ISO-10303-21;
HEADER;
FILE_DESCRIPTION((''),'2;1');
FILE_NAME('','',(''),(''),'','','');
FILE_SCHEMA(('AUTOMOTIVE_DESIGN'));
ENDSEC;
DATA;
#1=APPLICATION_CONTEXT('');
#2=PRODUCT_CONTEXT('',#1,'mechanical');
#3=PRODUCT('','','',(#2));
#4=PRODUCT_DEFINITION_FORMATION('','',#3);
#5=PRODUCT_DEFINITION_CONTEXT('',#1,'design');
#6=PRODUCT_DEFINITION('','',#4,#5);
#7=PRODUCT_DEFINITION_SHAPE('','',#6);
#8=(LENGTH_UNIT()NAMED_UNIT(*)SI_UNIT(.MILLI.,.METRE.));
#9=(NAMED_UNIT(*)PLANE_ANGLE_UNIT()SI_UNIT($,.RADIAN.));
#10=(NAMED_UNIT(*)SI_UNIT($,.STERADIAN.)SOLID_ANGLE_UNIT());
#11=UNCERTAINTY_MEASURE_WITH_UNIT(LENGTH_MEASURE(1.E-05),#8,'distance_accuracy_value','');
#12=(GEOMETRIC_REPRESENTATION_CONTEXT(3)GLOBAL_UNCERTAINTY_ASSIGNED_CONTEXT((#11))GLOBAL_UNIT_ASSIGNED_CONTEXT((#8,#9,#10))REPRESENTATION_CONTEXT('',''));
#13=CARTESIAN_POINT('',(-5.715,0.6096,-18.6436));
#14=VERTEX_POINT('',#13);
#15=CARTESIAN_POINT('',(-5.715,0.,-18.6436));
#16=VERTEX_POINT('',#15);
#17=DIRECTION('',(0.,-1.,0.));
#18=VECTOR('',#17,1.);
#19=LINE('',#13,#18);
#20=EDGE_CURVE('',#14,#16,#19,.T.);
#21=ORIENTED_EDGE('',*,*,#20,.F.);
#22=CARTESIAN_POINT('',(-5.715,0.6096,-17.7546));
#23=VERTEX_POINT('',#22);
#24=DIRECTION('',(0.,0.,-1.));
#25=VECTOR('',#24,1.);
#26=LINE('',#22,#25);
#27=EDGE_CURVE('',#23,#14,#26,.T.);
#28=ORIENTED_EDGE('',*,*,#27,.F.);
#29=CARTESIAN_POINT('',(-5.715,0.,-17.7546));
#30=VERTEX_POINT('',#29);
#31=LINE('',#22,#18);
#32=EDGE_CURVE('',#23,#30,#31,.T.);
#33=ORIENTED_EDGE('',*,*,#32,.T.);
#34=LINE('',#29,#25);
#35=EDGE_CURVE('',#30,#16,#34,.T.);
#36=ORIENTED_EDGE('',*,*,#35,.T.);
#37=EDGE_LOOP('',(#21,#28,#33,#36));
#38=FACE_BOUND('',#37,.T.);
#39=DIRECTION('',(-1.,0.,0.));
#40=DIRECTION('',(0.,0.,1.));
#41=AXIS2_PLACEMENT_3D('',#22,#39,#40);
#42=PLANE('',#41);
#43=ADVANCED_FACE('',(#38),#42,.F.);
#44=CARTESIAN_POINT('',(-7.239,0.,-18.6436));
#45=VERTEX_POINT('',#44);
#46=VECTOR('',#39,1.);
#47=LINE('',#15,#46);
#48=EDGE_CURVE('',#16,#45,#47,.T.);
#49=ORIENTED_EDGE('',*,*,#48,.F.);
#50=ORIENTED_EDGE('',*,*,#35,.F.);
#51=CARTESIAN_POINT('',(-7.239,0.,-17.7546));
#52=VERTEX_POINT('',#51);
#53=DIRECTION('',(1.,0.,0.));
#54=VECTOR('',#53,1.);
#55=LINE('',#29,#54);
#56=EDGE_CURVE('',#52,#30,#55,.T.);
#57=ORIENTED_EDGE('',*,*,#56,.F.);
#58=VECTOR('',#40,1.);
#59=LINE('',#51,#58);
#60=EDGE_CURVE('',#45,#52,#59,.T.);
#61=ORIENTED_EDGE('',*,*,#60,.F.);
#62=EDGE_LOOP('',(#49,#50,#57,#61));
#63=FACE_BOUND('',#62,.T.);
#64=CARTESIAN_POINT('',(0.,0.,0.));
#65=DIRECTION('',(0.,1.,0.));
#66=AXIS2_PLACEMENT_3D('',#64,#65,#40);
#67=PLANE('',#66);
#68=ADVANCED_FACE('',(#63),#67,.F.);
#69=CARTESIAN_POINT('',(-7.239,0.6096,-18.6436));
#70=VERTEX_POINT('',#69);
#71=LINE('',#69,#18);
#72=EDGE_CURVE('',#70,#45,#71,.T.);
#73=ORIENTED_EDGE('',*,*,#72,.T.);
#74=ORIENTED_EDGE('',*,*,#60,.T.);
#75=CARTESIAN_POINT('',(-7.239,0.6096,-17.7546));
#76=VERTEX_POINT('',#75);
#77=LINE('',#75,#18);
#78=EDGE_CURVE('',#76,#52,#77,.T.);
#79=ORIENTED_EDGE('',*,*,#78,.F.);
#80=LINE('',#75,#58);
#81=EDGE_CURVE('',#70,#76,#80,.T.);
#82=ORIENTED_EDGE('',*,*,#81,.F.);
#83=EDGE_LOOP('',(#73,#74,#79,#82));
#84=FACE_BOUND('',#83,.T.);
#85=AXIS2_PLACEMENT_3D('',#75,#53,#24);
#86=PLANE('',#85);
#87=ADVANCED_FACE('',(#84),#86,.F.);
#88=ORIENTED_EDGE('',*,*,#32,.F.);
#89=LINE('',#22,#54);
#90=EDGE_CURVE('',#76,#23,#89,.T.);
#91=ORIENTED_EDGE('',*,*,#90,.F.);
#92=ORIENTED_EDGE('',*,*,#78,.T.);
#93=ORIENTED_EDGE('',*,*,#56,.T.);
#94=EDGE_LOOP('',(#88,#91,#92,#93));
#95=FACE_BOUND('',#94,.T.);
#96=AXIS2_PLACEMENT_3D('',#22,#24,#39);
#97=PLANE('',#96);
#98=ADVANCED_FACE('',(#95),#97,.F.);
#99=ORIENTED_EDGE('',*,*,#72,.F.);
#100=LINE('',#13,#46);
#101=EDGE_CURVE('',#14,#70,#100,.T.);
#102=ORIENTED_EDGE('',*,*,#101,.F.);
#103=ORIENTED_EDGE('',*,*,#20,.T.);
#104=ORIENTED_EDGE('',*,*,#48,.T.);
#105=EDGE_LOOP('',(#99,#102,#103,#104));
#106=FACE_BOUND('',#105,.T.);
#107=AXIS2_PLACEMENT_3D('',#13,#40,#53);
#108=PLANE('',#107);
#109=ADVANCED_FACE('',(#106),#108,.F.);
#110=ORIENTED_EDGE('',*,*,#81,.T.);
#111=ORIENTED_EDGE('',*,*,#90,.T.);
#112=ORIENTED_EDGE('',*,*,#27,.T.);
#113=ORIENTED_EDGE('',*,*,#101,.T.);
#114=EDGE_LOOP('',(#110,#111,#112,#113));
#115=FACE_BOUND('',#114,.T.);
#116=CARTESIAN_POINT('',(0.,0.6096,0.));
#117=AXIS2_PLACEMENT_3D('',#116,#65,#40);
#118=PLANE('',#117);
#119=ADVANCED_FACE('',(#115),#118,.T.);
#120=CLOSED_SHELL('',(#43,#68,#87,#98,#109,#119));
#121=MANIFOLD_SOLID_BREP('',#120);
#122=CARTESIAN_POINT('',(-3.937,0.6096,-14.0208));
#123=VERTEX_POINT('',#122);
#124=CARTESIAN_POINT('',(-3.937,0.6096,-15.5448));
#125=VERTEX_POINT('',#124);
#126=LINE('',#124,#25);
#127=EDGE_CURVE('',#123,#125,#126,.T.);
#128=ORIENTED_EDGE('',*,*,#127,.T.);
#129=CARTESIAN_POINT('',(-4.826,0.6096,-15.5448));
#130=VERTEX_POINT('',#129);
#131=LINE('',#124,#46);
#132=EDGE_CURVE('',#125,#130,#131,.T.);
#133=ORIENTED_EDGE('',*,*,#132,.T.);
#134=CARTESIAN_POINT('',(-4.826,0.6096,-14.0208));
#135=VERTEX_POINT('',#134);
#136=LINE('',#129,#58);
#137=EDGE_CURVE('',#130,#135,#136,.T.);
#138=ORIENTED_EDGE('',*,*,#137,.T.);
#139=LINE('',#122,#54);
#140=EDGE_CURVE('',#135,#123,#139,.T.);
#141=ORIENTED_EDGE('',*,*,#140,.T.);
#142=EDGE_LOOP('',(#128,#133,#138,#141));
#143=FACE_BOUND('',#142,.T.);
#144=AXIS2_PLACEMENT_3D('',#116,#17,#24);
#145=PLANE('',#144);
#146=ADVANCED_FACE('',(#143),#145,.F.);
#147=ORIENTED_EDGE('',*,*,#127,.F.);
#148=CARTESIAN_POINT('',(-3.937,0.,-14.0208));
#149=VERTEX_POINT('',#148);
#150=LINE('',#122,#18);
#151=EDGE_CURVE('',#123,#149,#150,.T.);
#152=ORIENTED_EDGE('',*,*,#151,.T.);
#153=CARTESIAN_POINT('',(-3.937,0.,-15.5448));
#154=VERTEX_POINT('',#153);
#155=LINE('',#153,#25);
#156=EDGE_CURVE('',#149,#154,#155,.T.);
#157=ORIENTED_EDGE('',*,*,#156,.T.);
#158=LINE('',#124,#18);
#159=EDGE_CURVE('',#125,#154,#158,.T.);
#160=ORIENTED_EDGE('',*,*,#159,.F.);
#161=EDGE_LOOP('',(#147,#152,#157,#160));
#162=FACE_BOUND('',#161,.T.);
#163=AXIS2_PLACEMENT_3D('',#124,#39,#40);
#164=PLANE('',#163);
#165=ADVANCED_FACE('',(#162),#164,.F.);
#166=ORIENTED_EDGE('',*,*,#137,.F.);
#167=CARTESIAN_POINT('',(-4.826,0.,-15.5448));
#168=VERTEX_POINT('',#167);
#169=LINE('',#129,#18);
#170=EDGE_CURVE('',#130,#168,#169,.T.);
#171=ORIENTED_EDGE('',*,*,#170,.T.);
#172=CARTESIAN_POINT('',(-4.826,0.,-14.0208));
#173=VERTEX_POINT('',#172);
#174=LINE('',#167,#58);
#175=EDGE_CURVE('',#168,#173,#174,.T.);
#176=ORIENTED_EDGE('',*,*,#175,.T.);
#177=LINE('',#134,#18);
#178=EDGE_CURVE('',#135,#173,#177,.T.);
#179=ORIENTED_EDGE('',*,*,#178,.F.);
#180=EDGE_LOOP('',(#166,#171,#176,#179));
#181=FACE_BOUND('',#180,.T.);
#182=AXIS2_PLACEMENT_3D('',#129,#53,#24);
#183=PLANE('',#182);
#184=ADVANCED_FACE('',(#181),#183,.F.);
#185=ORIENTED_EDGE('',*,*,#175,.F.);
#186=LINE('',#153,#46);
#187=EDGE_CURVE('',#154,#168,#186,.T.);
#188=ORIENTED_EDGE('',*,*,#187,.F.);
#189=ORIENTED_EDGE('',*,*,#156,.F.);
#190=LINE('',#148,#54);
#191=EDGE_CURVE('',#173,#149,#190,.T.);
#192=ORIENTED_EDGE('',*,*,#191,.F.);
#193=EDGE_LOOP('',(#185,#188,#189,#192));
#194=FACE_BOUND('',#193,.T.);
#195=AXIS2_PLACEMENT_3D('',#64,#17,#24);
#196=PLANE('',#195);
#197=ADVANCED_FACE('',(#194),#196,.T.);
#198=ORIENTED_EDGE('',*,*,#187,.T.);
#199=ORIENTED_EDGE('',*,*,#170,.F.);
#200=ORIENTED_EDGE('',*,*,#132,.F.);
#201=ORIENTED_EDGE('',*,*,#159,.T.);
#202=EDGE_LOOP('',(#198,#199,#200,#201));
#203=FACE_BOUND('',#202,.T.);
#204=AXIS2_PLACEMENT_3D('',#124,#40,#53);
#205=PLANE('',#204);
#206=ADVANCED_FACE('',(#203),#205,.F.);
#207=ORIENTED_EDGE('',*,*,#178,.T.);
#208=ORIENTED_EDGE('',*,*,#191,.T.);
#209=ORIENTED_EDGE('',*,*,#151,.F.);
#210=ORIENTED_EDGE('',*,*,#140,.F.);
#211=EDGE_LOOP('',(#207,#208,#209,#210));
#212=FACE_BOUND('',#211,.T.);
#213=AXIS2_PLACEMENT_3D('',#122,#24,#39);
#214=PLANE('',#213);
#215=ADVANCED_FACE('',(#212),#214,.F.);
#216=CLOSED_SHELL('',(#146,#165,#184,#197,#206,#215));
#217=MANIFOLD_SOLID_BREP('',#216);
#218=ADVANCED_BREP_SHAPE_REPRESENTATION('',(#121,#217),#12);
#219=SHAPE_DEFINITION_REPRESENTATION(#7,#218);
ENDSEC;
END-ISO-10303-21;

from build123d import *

# Parameters (mm, degrees)
SKETCH1_W             = 0.889
SKETCH1_H             = 1.524
BOSS_EXTRUDE1_DEPTH   = 0.6096
SKETCH1_W_2           = 1.524
SKETCH1_H_2           = 0.889
BOSS_EXTRUDE1_2_DEPTH = 0.6096


with BuildPart() as part:
    # Sketch1 → Boss-Extrude1 (new body)
    with BuildSketch(Plane(origin=(0, 0, 0), x_dir=(1, 0, 0), z_dir=(0, 1, 0))):
        with Locations((-4.3815, 14.7828)):
            Rectangle(SKETCH1_W, SKETCH1_H)
    extrude(amount=BOSS_EXTRUDE1_DEPTH)


with BuildPart() as body_2:
    # Sketch1 → Boss-Extrude1 2 (new body)
    with BuildSketch(Plane(origin=(0, 0, 0), x_dir=(1, 0, 0), z_dir=(0, 1, 0))):
        with Locations((-6.477, 18.1991)):
            Rectangle(SKETCH1_W_2, SKETCH1_H_2)
    extrude(amount=BOSS_EXTRUDE1_2_DEPTH)


solid = Compound([part.part, body_2.part])
